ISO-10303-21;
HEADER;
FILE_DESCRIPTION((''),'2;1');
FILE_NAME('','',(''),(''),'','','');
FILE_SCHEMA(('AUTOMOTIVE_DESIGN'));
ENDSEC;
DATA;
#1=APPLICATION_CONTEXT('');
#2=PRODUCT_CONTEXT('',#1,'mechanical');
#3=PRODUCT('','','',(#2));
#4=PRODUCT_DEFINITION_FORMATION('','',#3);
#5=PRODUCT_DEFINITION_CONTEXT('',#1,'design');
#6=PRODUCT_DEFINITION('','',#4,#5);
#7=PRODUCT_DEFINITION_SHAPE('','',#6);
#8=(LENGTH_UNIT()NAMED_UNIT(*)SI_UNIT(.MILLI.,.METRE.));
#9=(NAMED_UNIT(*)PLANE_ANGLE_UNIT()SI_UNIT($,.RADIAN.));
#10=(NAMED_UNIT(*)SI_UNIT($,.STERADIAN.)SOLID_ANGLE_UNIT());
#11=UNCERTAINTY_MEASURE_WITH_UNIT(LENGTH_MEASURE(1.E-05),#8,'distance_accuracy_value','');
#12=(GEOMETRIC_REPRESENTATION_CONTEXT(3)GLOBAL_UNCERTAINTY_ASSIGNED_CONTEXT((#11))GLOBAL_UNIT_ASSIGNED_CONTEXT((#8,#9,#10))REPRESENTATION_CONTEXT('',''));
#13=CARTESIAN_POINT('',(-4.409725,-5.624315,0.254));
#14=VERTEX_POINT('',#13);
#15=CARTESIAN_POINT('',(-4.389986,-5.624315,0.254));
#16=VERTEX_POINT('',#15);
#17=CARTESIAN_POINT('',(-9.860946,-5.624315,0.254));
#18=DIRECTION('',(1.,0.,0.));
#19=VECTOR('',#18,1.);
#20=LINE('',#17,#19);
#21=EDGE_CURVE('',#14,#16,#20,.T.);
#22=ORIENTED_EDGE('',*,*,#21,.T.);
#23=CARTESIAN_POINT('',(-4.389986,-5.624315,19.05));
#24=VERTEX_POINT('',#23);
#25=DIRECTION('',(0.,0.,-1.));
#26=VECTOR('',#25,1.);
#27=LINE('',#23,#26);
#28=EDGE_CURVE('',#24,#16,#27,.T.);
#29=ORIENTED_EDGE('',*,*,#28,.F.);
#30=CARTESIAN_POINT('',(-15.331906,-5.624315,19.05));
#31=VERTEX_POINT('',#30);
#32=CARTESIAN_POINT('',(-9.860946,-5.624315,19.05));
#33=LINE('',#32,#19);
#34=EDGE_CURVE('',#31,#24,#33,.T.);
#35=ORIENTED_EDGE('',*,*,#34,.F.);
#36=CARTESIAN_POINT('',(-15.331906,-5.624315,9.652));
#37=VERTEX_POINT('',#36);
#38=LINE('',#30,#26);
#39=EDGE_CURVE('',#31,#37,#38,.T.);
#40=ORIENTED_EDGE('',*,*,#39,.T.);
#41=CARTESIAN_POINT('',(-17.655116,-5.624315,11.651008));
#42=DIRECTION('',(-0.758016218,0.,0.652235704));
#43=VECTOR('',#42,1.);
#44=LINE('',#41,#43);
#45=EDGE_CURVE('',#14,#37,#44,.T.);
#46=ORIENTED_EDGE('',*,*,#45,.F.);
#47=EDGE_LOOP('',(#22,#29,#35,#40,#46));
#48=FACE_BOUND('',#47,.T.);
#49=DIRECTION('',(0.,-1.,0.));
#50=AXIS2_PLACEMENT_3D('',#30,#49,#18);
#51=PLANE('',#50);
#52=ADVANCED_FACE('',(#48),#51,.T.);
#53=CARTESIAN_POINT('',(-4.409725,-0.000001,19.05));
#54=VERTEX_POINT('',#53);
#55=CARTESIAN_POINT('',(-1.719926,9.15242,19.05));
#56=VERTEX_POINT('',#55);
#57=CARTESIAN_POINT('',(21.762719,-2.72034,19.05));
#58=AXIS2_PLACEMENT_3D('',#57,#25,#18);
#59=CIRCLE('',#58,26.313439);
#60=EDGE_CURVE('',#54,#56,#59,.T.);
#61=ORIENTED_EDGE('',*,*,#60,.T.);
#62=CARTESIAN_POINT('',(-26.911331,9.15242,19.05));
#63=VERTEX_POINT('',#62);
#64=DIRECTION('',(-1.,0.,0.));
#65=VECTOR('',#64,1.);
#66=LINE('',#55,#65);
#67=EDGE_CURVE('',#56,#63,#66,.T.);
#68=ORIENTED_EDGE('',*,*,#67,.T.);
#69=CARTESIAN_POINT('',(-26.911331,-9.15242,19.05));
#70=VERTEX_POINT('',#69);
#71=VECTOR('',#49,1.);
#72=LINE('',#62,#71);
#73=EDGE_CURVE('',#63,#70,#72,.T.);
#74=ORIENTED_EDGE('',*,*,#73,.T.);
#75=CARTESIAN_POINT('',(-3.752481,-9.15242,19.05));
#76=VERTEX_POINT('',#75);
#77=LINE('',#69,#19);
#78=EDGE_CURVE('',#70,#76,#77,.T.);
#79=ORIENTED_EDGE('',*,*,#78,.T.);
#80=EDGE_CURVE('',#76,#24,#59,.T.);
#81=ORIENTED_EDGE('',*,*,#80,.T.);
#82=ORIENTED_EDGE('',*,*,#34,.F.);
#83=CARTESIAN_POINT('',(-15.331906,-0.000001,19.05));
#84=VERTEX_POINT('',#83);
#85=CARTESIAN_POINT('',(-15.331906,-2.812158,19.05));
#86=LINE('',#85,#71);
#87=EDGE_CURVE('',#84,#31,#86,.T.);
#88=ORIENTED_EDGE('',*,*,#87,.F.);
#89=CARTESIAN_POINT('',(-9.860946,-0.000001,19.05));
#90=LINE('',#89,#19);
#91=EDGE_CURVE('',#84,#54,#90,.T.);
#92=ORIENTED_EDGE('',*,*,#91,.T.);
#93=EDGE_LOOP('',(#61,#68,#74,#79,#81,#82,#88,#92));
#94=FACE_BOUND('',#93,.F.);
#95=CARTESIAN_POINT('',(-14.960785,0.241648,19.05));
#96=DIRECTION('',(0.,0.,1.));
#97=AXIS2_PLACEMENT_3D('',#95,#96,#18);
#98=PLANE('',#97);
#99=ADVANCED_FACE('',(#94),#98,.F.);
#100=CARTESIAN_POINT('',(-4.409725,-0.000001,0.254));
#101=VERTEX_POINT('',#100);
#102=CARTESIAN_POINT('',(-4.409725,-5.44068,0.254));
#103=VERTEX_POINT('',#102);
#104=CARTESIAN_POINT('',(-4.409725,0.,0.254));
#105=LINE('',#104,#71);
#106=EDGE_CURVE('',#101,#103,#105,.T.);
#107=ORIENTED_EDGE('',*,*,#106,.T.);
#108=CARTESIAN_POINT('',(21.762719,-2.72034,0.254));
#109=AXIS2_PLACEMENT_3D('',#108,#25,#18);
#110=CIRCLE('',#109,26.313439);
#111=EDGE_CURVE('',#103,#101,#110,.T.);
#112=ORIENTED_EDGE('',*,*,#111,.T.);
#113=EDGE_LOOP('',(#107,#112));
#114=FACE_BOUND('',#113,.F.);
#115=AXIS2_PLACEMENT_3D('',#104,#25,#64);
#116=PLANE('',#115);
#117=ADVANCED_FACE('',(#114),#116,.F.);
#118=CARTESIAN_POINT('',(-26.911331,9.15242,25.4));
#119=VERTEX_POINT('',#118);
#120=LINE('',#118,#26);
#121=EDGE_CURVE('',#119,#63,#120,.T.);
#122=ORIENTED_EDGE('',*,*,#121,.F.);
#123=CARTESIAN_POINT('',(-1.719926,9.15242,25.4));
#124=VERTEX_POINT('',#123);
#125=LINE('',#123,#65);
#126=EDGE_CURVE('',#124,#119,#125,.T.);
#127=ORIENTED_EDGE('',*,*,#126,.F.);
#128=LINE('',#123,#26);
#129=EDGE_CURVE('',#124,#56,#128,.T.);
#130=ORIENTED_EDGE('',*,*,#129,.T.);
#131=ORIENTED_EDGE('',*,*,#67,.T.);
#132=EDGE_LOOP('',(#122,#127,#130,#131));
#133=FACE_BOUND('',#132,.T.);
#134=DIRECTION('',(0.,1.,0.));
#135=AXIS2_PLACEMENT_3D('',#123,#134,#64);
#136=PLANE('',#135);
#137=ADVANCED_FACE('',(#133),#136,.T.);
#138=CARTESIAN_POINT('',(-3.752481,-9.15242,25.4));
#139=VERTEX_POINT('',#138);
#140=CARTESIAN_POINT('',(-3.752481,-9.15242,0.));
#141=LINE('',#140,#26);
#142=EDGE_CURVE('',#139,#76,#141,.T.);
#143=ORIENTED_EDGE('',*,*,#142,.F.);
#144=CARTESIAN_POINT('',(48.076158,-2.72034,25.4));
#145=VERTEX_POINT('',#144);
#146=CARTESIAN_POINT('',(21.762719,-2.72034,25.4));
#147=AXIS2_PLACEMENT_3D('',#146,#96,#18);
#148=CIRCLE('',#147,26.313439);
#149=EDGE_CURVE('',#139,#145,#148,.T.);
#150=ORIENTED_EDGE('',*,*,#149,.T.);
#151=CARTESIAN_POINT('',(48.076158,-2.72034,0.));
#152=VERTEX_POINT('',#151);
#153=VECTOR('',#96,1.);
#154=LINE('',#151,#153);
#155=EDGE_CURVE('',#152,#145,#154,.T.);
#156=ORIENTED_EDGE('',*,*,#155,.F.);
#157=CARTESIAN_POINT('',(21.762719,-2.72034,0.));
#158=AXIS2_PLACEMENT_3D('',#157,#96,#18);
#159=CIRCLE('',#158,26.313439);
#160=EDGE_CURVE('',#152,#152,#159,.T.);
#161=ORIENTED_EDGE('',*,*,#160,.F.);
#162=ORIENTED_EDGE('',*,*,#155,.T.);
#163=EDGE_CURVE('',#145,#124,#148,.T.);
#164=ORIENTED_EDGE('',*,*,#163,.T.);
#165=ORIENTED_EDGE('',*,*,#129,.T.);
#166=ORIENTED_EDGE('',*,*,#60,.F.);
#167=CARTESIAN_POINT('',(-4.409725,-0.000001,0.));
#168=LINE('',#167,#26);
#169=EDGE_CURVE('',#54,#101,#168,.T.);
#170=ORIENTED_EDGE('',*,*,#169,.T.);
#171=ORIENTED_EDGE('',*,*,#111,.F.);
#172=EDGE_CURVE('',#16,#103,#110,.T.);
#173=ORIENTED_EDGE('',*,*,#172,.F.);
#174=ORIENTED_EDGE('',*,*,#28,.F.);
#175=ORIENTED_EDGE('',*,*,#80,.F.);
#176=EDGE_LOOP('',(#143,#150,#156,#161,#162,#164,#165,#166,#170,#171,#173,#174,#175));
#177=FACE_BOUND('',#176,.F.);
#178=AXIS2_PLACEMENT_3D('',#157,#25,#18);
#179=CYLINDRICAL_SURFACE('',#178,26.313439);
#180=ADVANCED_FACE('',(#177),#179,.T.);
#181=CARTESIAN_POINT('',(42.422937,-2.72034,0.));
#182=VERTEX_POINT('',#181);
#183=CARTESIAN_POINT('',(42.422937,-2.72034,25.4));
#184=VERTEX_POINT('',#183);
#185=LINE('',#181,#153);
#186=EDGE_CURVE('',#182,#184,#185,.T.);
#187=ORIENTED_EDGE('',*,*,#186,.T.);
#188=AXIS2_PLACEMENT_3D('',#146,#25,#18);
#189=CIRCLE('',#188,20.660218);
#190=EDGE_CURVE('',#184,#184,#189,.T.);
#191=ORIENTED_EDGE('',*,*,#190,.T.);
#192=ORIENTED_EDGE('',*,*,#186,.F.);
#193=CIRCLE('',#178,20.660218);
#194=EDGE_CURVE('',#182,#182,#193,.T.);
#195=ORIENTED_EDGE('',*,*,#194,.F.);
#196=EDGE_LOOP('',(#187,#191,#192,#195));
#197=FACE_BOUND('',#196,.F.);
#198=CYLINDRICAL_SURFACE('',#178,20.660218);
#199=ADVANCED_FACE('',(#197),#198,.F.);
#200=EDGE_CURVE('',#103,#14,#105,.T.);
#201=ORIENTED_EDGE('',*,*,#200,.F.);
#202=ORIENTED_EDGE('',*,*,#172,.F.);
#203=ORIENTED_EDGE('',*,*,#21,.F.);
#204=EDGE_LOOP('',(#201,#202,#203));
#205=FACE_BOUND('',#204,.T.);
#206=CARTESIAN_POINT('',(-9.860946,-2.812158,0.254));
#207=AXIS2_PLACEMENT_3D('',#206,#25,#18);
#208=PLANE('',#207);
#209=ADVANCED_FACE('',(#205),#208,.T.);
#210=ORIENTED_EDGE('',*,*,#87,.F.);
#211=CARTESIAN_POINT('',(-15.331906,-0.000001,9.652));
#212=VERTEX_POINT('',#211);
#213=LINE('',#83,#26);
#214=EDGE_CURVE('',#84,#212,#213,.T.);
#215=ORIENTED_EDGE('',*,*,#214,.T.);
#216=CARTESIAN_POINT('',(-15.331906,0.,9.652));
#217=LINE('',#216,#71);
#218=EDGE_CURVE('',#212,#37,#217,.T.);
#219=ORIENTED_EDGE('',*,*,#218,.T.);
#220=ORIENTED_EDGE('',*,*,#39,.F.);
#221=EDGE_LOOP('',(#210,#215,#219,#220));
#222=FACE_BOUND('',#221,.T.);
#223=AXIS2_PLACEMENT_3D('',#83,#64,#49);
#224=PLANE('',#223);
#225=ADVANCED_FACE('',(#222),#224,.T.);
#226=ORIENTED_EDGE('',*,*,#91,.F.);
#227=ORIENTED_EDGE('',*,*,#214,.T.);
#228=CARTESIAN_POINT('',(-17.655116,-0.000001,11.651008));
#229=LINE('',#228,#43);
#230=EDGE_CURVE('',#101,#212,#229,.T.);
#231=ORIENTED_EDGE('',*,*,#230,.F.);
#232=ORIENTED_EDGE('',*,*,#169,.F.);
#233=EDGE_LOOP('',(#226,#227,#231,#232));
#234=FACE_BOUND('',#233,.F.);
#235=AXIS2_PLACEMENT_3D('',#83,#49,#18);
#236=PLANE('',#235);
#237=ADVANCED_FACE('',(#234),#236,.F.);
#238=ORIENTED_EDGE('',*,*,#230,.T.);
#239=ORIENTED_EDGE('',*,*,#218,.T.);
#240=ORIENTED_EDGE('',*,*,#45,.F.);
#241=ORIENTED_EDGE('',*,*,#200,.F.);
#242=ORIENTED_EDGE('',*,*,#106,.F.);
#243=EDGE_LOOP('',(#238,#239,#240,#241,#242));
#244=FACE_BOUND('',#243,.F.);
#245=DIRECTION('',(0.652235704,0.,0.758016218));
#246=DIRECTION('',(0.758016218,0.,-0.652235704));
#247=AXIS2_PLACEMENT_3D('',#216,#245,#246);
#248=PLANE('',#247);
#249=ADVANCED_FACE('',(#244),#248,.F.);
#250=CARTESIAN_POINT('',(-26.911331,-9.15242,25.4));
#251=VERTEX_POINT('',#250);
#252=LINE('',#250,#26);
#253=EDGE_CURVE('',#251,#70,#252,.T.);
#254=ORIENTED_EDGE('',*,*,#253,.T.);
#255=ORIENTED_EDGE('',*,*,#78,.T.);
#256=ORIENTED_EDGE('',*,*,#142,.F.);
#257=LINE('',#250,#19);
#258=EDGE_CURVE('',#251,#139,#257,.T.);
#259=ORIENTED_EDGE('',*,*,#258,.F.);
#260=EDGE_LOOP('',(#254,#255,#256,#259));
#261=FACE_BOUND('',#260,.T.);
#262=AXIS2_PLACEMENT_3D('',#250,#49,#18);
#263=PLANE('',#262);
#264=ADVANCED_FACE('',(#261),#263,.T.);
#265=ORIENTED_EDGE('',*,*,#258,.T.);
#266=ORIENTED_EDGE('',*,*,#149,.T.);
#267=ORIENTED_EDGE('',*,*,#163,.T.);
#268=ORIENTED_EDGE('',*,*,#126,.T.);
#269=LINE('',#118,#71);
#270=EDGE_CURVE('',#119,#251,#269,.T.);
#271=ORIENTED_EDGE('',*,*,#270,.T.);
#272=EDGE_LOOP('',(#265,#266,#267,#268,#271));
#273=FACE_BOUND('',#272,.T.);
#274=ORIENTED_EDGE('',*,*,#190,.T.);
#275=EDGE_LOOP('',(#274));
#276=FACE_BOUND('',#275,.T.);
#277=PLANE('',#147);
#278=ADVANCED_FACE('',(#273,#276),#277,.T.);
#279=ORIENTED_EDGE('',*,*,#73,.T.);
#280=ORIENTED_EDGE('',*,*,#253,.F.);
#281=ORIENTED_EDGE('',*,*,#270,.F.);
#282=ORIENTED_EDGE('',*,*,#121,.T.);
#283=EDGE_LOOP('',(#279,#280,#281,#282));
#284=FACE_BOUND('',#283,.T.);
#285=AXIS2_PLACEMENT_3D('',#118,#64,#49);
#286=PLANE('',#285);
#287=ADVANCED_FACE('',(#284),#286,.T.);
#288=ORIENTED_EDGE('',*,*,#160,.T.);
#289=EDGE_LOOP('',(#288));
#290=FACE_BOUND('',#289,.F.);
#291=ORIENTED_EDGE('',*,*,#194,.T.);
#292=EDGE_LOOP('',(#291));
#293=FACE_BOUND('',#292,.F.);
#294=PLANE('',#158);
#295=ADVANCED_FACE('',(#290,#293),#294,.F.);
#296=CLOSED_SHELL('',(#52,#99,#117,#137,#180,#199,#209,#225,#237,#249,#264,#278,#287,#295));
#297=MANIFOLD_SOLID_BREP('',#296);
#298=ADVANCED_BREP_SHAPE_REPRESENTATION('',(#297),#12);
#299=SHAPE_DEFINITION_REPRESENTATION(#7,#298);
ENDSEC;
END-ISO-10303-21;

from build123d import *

# Parameters (mm, degrees)
F0_R     = 26.313439
F1_DEPTH = 25.4
F3_R     = 20.660218
F4_DEPTH = 25.401
F5_DEPTH = 6.35
F6_W     = 10.94192
F6_H     = 5.624315
F7_DEPTH = 18.796
F9_DEPTH = 29.034779


with BuildPart() as f1:
    # F0 (on Top) → F1 (new body)
    with BuildSketch(Plane.XY):
        with Locations((21.762719, -2.72034)):
            Circle(F0_R)
    extrude(amount=F1_DEPTH)

    # F3 (on face) → F4 (cut, through all)
    with BuildSketch(Plane(origin=(0, 0, 0), x_dir=(1, 0, 0), z_dir=(0, 0, -1))):
        with Locations((21.762719, 2.72034)):
            Circle(F3_R)
    extrude(amount=-F4_DEPTH, mode=Mode.SUBTRACT)

    # F2 (on face) → F5 (join)
    with BuildSketch(Plane.XY.offset(25.4)):
        with BuildLine():
            ThreePointArc((-3.75248, -9.15242), (-4.389986, 0.183635), (-1.719926, 9.15242))
            Line((-1.719926, 9.15242), (-26.911331, 9.15242))
            Line((-26.911331, 9.15242), (-26.911331, -9.15242))
            Line((-26.911331, -9.15242), (-3.75248, -9.15242))
        make_face()
    extrude(amount=-F5_DEPTH)

    # F6 (on face) → F7 (join)
    with BuildSketch(Plane(origin=(0, 0, 19.05), x_dir=(1, 0, 0), z_dir=(0, 0, -1))):
        with Locations((-9.860946, 2.812158)):
            Rectangle(F6_W, F6_H)
    extrude(amount=F7_DEPTH)

    # F8 (on face) → F9 (cut, through all)
    with BuildSketch(Plane(origin=(0, 0, 0), x_dir=(-1, 0, 0), z_dir=(0, 1, 0))):
        Polygon((15.331906, 0.254), (15.331906, 9.652), (4.409725, 0.254), align=None)
    extrude(amount=-F9_DEPTH, mode=Mode.SUBTRACT)


solid = f1.part
